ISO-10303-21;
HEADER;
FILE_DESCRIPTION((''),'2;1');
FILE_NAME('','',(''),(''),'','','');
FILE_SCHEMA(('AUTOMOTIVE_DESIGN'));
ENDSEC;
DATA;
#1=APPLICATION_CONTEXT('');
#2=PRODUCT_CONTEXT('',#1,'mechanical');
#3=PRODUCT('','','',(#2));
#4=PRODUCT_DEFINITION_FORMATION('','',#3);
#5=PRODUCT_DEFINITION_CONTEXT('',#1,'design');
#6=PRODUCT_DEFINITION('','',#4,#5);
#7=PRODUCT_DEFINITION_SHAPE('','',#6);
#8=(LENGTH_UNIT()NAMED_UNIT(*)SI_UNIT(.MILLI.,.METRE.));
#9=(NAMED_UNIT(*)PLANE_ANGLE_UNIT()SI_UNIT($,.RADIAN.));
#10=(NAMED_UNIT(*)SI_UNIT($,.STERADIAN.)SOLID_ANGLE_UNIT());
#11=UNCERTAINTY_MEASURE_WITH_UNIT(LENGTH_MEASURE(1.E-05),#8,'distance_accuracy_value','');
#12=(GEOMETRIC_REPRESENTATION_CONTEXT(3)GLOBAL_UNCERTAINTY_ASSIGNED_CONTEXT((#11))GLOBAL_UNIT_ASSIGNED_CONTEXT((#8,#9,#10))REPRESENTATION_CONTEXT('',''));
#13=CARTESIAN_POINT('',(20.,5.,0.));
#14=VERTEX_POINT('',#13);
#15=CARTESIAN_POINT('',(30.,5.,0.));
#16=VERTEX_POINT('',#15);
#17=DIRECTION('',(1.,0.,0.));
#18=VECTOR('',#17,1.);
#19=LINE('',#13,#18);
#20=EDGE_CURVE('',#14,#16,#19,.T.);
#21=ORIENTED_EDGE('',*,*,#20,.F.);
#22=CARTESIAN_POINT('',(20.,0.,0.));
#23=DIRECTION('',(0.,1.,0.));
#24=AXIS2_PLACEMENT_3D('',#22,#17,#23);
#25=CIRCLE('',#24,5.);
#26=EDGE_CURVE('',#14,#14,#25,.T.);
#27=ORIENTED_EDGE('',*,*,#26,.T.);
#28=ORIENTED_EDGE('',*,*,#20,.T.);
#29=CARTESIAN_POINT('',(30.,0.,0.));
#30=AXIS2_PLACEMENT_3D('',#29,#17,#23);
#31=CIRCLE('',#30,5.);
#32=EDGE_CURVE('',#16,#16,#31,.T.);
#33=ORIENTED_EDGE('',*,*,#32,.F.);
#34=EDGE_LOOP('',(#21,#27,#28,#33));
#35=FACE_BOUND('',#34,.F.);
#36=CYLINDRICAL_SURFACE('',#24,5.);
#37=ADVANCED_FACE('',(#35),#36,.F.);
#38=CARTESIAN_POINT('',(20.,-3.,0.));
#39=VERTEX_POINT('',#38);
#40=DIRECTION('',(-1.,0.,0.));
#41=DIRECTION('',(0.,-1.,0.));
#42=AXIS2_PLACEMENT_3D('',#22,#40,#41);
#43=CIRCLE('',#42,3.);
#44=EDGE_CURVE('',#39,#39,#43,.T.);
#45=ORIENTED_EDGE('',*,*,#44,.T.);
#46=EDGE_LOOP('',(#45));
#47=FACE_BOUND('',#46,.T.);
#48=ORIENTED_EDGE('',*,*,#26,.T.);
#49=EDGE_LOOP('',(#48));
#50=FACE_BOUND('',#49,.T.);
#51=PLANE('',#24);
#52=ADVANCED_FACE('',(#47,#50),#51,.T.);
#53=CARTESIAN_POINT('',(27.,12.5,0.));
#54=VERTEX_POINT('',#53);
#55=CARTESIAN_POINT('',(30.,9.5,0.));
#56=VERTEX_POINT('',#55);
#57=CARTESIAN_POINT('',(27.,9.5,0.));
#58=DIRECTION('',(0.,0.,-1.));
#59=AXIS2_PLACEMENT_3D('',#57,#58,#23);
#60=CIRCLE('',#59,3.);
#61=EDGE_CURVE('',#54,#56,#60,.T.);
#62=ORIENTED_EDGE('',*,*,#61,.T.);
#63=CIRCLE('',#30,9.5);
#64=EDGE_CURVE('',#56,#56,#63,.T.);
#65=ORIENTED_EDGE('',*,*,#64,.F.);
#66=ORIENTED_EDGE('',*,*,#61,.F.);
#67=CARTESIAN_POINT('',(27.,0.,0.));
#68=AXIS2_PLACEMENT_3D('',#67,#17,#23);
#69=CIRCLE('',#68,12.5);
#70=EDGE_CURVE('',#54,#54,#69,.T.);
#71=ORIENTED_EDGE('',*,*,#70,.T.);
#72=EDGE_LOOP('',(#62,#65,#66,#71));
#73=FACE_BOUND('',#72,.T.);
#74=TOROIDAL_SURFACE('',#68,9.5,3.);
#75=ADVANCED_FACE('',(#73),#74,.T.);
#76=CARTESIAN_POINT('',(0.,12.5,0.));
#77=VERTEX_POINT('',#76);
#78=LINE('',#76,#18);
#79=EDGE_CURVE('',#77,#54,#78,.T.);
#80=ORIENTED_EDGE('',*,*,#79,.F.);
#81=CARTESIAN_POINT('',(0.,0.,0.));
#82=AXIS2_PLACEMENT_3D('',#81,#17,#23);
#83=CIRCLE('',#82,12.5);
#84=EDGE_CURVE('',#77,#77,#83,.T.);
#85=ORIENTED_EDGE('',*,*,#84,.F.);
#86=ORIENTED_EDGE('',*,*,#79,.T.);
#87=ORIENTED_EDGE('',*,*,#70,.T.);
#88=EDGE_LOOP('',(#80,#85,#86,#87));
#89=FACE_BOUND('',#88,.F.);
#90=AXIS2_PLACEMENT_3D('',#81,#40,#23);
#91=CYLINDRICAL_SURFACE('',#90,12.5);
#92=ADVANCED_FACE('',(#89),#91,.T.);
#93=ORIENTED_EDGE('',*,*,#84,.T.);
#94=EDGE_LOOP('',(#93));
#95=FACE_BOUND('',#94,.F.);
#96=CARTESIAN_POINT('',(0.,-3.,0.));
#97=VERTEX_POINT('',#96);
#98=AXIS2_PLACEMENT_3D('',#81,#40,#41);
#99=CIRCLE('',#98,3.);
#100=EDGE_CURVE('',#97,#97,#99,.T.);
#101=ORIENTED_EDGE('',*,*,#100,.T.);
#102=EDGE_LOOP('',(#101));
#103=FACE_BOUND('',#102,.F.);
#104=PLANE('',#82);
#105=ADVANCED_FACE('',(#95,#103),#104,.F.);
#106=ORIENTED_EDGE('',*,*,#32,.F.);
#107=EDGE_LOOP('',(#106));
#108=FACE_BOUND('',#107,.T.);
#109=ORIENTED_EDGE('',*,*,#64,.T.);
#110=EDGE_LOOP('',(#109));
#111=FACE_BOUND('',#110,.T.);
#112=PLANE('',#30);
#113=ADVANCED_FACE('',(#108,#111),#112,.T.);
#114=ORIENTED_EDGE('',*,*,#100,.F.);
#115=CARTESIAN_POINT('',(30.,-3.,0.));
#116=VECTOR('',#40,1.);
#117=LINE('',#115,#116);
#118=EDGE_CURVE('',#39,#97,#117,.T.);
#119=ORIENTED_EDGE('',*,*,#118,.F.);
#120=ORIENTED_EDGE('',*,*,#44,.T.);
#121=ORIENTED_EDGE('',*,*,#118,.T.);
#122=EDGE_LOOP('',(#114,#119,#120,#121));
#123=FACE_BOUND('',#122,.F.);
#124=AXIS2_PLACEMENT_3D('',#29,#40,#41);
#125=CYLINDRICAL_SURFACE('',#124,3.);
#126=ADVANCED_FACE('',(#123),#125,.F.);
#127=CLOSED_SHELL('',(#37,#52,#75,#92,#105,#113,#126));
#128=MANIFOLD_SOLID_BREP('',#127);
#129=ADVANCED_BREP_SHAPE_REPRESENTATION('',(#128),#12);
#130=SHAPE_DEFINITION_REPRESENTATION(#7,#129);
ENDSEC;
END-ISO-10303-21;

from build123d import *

# Parameters (mm, degrees)
F0_R           = 12.5
F1_DEPTH       = 30
F2_R           = 3
F4_D           = 6
F4_CBORE_D     = 10
F4_CBORE_DEPTH = 10


with BuildPart() as f1:
    # F0 (on Right) → F1 (new body)
    with BuildSketch(Plane.YZ):
        Circle(F0_R)
    extrude(amount=F1_DEPTH)

    # F2
    f2_edges = [f1.edges().sort_by_distance(p)[0] for p in [
        (30, -12.5, 0),
    ]]
    fillet(f2_edges, radius=F2_R)

    # F4 (through all)
    with Locations(Plane.YZ.offset(30)):
        with Locations((0, 0)):
            CounterBoreHole(F4_D / 2, F4_CBORE_D / 2, F4_CBORE_DEPTH)


solid = f1.part
